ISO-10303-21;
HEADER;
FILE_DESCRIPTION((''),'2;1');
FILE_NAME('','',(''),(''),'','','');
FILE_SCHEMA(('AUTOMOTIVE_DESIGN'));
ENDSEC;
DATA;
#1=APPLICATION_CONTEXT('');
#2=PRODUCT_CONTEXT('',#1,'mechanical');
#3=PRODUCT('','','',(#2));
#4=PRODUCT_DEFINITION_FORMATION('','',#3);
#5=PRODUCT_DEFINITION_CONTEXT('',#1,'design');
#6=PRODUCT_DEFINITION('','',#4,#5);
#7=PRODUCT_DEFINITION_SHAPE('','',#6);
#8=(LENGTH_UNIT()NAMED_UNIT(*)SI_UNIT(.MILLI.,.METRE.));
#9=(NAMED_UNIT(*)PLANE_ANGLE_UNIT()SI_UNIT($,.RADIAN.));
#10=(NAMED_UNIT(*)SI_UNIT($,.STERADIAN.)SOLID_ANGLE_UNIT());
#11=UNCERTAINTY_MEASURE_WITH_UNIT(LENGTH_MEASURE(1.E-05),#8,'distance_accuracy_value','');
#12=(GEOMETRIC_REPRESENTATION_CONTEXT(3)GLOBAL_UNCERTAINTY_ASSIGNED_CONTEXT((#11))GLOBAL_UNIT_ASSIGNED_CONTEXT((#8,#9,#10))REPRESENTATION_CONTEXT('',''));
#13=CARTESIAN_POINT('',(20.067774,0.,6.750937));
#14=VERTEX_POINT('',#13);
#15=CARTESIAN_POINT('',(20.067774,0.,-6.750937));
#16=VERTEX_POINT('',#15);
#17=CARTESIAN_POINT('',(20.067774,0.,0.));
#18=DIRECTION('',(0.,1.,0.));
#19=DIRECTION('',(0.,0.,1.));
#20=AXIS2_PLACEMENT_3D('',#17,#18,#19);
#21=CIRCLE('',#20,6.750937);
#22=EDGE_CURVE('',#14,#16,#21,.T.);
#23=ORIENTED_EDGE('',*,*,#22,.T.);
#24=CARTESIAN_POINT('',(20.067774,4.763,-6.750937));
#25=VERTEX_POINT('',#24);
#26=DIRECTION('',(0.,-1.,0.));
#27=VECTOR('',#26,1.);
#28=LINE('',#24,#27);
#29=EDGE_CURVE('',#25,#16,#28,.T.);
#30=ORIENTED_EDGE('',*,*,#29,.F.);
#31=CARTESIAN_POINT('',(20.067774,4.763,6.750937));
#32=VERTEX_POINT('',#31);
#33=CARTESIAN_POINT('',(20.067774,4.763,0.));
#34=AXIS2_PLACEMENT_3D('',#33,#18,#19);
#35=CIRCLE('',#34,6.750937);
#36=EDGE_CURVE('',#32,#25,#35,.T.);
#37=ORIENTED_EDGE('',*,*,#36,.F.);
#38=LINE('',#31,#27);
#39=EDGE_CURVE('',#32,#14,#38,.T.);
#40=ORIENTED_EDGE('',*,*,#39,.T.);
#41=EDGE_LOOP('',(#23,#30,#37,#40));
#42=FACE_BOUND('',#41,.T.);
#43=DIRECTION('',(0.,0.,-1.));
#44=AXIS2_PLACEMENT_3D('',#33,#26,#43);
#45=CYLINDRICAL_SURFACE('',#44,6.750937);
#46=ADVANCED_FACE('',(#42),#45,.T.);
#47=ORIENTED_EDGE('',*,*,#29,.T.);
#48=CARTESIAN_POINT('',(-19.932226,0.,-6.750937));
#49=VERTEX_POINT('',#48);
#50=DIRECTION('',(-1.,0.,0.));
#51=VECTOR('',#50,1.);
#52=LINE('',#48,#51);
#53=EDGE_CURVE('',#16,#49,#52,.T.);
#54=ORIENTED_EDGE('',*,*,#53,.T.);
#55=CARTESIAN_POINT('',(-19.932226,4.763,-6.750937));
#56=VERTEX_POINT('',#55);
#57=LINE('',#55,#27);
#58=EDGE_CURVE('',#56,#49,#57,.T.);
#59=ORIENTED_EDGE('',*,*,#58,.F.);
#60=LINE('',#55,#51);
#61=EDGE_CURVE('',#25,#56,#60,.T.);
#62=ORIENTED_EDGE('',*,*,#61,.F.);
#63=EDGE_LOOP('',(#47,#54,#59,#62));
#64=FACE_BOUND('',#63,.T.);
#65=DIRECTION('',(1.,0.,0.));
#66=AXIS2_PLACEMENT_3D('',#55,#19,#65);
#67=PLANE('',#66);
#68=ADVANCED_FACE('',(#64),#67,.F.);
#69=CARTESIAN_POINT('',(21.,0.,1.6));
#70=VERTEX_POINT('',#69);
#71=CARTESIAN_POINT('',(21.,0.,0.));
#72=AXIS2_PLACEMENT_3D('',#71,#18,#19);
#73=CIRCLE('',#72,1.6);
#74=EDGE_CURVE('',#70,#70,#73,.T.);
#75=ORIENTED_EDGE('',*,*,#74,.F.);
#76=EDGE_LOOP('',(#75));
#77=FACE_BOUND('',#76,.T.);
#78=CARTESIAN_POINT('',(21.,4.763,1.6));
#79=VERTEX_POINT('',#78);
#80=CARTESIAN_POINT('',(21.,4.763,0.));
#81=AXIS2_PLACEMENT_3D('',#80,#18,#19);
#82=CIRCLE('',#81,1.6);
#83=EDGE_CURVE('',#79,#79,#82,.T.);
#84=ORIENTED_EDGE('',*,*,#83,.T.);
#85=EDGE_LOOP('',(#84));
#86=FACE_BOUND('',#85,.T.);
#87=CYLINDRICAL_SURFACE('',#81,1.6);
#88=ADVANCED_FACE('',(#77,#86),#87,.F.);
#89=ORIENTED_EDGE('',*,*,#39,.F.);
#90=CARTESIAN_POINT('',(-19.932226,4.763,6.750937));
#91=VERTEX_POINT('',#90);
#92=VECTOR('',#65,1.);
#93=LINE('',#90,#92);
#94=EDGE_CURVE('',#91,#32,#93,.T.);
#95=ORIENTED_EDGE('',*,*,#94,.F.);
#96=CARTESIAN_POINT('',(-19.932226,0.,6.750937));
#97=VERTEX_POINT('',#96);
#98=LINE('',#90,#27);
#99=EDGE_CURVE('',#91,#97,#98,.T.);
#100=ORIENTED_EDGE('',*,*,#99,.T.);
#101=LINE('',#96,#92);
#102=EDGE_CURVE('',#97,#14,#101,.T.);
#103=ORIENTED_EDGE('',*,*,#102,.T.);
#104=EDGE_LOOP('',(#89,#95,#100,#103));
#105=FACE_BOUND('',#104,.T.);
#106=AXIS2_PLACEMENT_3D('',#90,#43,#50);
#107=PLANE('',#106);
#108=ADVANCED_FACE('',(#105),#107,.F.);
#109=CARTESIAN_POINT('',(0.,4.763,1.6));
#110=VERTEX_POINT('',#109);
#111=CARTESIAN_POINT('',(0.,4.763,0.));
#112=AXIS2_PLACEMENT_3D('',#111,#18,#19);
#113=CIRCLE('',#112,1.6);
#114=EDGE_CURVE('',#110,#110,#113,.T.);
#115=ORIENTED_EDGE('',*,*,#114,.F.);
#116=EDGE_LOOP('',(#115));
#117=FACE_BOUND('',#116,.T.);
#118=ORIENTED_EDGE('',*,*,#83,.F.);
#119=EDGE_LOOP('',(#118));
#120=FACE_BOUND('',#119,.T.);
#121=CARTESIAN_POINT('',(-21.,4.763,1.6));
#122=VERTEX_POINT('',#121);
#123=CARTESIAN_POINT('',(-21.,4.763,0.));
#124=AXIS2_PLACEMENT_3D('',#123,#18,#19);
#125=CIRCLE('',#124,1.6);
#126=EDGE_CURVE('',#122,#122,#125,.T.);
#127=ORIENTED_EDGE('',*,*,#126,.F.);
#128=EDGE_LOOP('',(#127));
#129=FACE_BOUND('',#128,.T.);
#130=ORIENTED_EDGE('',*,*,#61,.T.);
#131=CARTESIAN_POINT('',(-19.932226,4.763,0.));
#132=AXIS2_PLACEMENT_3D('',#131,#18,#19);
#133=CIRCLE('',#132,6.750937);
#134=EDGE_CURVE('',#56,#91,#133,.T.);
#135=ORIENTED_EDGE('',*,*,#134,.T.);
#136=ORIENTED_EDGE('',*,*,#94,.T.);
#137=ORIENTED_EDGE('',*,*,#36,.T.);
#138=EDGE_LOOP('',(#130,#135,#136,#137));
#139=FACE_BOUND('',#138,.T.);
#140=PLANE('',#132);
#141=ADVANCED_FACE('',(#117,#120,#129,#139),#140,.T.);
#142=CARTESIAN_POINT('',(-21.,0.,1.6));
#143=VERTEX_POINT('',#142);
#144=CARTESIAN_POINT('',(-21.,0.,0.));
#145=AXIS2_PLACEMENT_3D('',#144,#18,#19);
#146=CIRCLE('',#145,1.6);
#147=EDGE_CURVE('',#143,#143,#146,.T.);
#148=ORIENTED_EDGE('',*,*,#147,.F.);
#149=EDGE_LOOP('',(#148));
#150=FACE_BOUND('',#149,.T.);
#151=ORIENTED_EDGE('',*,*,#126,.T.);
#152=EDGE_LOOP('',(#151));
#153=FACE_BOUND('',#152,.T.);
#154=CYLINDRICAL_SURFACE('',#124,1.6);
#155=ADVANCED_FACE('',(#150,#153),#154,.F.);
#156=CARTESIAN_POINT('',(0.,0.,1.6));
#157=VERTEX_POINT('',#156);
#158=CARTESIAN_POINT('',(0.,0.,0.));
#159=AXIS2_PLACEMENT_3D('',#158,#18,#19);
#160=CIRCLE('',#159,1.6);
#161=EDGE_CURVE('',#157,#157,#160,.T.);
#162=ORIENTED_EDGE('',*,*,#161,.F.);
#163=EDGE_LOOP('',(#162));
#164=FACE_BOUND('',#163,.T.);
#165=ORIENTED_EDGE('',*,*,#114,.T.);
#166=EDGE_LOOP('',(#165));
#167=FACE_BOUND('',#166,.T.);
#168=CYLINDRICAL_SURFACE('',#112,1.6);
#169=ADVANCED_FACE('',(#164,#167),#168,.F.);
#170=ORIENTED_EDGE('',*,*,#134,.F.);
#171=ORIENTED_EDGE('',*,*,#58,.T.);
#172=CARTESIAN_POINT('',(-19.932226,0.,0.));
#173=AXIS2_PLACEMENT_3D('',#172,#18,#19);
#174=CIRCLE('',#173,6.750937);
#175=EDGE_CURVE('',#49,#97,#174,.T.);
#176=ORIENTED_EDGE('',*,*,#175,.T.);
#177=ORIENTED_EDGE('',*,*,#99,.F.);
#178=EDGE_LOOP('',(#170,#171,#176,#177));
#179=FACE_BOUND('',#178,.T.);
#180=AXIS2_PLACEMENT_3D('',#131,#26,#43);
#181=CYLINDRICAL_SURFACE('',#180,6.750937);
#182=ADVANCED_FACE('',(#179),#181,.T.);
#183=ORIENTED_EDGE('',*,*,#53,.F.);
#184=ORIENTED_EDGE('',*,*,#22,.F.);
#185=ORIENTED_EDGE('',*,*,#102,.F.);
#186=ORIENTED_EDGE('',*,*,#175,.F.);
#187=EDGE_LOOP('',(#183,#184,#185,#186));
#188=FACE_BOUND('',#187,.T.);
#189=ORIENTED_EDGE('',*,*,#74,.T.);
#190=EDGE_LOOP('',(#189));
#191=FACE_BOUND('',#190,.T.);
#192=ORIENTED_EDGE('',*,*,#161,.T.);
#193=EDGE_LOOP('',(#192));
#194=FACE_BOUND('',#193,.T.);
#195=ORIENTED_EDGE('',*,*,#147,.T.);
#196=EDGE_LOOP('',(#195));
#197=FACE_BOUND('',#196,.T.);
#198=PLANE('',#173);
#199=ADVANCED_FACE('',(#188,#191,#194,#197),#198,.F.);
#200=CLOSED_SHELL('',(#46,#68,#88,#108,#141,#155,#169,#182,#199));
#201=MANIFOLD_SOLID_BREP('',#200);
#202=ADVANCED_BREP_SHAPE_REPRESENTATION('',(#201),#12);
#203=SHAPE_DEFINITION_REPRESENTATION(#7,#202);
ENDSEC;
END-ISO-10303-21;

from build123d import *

# Parameters (mm, degrees)
BOSS_EXTRUDE1_DEPTH      = 4.763
M3_CLEARANCE_HOLE1_D     = 3.2
M3_CLEARANCE_HOLE1_DEPTH = 4.763


with BuildPart() as part:
    # Sketch1 → Boss-Extrude1 (new body)
    with BuildSketch(Plane(origin=(0, 0, 0), x_dir=(1, 0, 0), z_dir=(0, 1, 0))):
        with BuildLine():
            Line((-19.932225786, 6.750936854), (20.067774214, 6.750936854))
            ThreePointArc((20.067774214, 6.750936854), (26.818711069, 0), (20.067774214, -6.750936854))
            Line((20.067774214, -6.750936854), (-19.932225786, -6.750936854))
            ThreePointArc((-19.932225786, -6.750936854), (-26.68316264, 0), (-19.932225786, 6.750936854))
        make_face()
    extrude(amount=BOSS_EXTRUDE1_DEPTH)

    # M3 Clearance Hole1
    with Locations(Plane(origin=(0, 4.763, 0), x_dir=(1, 0, 0), z_dir=(0, 1, 0))):
        with Locations((-21, 0), (0, 0), (21, 0)):
            Hole(M3_CLEARANCE_HOLE1_D / 2, depth=M3_CLEARANCE_HOLE1_DEPTH)


solid = part.part
